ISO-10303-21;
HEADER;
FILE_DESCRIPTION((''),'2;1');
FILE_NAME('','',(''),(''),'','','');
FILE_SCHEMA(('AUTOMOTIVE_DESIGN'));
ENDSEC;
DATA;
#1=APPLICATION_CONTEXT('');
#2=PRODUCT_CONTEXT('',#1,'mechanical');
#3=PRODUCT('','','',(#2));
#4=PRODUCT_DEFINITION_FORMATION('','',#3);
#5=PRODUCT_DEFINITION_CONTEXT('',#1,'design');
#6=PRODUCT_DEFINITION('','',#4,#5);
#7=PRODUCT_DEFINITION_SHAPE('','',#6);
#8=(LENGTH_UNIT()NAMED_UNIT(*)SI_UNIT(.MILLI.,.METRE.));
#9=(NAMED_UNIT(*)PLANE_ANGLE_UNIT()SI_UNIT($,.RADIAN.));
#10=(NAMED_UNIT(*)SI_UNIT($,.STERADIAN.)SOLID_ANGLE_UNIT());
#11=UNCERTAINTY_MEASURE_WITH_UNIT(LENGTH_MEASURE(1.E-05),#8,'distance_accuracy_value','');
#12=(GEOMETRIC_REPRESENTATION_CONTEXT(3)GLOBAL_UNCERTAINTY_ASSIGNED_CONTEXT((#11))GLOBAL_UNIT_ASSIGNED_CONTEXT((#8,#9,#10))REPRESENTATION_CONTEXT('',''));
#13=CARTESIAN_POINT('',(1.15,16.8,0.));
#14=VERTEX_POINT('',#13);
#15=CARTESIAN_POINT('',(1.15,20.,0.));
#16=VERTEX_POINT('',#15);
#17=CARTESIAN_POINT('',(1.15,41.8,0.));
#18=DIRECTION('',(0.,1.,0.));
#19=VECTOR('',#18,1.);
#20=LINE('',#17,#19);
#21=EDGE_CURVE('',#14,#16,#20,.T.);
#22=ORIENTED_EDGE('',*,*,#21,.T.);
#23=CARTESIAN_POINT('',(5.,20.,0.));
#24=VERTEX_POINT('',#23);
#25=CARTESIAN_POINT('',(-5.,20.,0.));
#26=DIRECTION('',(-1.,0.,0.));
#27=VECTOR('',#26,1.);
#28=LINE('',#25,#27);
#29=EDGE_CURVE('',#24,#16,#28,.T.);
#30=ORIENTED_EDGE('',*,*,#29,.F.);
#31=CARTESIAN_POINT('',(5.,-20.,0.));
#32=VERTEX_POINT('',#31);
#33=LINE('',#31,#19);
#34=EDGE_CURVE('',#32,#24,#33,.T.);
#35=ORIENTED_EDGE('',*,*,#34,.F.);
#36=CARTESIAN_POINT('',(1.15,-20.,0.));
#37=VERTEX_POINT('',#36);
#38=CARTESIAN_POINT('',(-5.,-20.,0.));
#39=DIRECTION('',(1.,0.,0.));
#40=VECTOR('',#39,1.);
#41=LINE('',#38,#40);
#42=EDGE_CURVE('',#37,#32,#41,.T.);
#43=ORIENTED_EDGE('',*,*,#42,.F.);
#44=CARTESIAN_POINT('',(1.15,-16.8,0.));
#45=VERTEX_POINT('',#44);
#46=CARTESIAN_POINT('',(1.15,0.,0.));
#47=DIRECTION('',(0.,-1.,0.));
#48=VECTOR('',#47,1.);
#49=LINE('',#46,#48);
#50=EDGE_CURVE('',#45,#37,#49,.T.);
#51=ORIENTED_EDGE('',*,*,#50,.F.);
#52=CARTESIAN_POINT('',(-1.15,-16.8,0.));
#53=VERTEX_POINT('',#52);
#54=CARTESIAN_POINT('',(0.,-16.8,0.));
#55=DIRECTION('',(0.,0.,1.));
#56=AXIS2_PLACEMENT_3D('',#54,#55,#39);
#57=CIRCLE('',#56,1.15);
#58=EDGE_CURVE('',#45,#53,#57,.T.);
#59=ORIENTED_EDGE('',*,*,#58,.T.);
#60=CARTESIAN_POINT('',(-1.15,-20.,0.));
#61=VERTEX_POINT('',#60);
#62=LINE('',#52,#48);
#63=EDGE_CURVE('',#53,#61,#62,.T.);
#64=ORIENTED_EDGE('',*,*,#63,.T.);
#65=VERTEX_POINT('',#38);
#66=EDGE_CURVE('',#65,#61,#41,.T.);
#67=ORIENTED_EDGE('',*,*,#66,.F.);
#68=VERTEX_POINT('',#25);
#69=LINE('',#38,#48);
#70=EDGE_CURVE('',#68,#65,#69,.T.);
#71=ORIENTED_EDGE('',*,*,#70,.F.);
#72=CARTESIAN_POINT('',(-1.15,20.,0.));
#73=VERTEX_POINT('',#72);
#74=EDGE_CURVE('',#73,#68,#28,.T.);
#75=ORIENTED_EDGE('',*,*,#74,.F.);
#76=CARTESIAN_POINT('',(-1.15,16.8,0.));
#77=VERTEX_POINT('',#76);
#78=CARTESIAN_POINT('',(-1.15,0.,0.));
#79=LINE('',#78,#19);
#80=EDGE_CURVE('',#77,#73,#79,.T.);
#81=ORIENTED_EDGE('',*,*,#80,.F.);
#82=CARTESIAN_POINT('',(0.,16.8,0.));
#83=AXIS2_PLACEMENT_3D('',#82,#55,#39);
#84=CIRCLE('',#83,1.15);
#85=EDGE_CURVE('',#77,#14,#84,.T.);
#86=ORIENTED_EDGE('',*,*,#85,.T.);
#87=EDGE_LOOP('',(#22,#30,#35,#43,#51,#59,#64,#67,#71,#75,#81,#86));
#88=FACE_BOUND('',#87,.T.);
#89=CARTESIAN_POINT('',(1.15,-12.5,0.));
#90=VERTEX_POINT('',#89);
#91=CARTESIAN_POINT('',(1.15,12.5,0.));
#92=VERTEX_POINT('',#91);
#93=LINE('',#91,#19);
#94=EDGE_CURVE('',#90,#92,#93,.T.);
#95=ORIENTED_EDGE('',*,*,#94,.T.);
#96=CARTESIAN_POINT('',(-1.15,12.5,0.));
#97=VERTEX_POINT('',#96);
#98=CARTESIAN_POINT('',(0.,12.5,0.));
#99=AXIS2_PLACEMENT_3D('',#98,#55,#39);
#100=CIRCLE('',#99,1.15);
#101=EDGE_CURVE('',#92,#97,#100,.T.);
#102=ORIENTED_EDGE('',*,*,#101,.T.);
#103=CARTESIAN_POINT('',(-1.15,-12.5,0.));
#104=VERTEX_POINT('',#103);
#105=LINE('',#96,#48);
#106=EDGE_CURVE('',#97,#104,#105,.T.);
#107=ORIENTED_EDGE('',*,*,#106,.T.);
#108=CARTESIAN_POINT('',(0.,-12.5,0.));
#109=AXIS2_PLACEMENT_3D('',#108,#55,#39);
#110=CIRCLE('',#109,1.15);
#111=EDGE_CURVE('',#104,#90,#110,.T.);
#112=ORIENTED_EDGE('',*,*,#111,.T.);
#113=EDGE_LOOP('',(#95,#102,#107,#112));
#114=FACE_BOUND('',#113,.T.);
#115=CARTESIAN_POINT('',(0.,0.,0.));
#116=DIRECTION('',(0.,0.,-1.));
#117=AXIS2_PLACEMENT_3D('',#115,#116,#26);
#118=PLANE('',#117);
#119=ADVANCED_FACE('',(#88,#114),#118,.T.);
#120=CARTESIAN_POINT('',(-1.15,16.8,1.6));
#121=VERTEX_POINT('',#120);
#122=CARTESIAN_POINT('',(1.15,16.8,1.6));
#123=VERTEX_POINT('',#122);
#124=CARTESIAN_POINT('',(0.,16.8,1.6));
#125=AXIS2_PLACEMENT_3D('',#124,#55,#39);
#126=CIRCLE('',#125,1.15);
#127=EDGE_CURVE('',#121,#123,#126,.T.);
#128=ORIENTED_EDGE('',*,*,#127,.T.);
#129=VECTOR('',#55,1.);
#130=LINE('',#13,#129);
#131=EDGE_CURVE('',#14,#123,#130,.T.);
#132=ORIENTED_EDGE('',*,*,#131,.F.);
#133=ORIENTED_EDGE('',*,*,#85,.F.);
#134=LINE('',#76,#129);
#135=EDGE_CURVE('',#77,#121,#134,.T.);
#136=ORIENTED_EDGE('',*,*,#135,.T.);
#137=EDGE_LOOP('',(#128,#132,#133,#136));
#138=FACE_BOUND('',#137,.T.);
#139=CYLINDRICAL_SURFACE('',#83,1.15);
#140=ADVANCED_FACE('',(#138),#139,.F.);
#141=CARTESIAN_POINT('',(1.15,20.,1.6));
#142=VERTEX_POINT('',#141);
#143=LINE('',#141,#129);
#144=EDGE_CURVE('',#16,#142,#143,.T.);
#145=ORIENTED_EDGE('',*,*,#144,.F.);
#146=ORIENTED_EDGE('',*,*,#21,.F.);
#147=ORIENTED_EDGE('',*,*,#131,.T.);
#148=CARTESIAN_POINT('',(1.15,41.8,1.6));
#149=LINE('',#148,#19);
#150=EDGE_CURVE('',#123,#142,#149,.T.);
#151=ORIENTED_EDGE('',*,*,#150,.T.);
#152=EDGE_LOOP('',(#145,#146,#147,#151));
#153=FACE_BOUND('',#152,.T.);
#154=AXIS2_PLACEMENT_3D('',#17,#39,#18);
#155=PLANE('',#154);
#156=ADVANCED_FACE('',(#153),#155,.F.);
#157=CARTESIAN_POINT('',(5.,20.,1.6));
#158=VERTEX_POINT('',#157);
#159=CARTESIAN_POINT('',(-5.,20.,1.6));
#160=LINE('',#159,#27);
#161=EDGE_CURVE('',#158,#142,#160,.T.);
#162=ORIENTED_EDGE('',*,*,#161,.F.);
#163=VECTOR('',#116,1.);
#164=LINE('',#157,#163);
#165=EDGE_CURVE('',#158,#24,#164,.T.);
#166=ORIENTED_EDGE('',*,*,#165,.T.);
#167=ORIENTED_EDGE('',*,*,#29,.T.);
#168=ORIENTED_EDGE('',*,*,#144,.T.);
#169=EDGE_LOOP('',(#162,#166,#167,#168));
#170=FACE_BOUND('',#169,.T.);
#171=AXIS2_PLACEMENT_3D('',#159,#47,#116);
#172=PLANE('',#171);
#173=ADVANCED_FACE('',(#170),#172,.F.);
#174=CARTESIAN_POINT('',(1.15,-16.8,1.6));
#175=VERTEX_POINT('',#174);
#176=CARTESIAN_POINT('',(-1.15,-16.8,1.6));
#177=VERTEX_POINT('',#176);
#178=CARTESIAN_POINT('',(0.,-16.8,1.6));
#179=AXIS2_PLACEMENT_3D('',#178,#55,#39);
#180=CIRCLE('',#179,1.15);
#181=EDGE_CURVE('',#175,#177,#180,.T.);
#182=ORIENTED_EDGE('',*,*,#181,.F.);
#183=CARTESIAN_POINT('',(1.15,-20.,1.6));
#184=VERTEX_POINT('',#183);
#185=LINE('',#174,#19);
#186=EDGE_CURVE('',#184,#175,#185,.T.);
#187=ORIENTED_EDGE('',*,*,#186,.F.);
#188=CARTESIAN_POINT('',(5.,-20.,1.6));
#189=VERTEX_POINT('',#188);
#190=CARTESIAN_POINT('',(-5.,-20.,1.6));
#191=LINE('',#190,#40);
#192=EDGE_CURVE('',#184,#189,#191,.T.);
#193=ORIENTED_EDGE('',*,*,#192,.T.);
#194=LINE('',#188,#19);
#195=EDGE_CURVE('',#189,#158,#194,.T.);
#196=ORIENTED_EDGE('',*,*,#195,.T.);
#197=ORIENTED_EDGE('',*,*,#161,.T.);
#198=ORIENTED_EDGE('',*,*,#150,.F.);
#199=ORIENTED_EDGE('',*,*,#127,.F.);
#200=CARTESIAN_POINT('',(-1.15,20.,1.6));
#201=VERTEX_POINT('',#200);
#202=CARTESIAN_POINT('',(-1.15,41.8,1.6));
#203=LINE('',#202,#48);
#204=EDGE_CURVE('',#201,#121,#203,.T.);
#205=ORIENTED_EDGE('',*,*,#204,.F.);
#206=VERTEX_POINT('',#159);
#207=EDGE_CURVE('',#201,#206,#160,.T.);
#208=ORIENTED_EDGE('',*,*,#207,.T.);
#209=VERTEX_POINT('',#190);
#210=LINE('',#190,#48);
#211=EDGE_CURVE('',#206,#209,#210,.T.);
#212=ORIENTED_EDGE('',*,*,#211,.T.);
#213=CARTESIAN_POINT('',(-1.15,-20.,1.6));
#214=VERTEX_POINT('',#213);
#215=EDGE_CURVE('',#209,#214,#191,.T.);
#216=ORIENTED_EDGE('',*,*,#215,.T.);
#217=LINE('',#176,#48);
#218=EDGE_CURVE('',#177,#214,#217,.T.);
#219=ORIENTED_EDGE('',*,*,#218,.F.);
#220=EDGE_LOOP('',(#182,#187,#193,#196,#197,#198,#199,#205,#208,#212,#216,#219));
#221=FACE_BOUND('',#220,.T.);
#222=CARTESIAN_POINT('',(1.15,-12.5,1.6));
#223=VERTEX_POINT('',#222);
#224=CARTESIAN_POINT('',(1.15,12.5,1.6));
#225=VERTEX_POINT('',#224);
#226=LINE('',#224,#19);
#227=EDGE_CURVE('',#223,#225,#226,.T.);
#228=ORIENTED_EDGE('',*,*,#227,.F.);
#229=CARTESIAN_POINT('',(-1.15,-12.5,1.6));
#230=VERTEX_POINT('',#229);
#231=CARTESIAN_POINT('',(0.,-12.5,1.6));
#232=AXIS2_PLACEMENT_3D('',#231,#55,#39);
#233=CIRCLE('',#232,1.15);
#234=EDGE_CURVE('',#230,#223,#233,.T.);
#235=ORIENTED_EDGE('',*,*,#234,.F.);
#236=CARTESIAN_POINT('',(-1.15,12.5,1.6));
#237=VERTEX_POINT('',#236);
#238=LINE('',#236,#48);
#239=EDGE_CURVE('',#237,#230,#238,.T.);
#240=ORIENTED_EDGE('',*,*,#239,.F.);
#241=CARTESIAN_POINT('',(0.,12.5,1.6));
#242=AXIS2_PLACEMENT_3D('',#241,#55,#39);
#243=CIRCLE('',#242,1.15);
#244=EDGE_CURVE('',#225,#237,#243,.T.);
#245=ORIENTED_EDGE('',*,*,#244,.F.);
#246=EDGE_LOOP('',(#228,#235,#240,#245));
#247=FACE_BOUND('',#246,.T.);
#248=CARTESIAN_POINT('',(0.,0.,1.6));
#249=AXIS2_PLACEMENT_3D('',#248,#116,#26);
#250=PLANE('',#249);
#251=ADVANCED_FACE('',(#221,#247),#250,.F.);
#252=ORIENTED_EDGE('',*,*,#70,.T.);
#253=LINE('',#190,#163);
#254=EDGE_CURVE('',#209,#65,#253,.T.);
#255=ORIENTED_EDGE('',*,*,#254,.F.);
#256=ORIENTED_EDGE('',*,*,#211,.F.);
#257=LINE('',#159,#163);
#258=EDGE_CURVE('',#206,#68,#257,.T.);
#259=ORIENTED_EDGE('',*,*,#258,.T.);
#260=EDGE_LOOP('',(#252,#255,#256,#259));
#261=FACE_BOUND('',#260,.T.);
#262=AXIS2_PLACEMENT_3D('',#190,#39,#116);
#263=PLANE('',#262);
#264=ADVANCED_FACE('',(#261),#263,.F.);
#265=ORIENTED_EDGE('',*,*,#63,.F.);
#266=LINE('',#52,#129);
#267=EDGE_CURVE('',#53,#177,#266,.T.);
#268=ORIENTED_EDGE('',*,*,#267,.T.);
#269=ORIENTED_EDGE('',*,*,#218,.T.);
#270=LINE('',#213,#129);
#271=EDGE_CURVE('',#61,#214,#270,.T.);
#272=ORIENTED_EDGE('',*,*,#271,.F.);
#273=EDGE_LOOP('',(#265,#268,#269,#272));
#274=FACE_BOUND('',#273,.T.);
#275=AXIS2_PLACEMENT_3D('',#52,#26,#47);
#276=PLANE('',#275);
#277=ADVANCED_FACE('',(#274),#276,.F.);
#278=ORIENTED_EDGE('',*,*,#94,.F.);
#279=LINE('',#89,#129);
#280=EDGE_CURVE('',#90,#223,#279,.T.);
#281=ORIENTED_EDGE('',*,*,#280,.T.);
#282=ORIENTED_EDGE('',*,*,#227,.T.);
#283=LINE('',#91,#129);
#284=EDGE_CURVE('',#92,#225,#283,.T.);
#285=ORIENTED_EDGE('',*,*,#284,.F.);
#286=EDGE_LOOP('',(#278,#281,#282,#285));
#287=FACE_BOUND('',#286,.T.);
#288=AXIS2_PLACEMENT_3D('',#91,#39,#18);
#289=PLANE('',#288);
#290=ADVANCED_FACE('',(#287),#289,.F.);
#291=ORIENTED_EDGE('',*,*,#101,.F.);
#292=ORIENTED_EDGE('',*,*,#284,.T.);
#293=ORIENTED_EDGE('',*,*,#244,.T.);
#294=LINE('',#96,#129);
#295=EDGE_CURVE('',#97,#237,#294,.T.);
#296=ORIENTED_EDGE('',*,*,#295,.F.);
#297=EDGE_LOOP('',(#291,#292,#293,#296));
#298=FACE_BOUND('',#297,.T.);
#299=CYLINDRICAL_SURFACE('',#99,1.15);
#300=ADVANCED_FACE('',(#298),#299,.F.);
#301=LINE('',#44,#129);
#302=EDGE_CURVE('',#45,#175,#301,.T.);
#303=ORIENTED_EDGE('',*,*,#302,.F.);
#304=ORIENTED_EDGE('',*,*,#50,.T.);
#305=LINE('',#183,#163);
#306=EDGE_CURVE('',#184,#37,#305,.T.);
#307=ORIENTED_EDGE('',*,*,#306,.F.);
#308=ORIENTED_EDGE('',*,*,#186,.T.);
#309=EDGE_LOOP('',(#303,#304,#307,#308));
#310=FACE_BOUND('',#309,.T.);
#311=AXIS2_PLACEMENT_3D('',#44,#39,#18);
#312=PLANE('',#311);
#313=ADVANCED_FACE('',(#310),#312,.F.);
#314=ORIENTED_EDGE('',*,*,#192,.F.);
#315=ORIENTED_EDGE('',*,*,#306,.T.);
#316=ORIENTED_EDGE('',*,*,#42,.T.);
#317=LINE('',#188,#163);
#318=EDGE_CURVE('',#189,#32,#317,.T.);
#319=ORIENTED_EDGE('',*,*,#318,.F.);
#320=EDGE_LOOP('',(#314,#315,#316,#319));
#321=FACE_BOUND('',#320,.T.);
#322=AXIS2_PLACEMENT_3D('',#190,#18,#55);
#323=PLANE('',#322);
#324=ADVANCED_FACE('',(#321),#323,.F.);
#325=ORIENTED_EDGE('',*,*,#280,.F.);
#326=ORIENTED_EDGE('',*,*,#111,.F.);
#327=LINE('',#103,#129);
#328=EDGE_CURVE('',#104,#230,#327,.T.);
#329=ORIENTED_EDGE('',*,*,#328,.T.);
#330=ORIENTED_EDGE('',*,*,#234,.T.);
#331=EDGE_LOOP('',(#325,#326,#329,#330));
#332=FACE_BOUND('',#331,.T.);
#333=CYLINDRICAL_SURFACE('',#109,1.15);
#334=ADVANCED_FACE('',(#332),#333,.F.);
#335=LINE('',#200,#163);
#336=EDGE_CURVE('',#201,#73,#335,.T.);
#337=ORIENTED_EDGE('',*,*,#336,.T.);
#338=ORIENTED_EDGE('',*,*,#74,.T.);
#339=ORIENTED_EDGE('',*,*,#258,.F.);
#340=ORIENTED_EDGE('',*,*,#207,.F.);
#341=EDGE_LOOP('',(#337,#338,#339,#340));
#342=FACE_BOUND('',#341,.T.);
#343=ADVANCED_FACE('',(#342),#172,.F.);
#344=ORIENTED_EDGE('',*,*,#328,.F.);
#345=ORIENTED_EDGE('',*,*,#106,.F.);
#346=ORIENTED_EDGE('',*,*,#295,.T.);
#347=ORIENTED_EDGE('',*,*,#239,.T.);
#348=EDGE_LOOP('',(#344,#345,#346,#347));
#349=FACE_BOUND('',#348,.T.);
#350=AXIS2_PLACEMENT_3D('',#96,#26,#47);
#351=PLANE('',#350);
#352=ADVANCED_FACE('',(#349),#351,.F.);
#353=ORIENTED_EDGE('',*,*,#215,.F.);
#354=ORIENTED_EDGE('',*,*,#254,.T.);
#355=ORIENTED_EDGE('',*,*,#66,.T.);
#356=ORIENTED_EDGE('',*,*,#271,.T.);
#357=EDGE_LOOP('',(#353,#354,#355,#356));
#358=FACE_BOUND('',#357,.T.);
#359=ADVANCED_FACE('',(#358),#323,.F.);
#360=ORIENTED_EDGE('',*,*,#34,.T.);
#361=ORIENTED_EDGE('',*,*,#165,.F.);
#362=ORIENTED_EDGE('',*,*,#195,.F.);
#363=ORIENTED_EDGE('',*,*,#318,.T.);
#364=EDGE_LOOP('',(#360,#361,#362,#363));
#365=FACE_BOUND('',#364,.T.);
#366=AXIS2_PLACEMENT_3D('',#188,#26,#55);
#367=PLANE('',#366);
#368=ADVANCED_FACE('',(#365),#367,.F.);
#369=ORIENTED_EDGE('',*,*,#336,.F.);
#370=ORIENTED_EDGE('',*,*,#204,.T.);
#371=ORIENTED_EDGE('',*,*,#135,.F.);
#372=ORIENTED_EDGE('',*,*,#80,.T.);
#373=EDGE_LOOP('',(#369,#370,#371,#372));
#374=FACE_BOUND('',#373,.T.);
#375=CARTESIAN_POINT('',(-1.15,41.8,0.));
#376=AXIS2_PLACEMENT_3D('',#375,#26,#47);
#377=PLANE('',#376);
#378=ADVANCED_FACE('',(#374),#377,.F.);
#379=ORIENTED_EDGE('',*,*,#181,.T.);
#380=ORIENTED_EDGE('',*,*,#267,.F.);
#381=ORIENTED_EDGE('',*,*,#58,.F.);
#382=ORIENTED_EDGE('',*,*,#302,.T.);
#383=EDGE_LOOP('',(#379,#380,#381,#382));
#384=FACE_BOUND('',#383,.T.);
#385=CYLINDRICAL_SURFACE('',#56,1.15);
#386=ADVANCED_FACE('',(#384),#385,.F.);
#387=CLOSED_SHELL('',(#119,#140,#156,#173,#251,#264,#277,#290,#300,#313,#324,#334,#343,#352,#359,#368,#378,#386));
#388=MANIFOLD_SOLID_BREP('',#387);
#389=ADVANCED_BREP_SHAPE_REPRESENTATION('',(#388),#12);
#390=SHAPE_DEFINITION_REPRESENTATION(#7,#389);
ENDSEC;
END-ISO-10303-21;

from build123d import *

# Parameters (mm, degrees)
SKETCH1_W           = 10
SKETCH1_H           = 40
BOSS_EXTRUDE1_DEPTH = 1.6
CUT_EXTRUDE1_DEPTH  = 21.67752403


with BuildPart() as part:
    # Sketch1 → Boss-Extrude1 (new body)
    with BuildSketch(Plane.XY):
        Rectangle(SKETCH1_W, SKETCH1_H)
    extrude(amount=BOSS_EXTRUDE1_DEPTH)

    # Sketch3 → Cut-Extrude1 (cut, through all)
    with BuildSketch(Plane.XY.offset(1.6)):
        with BuildLine():
            Line((1.15, 12.5), (1.15, -12.5))
            ThreePointArc((1.15, -12.5), (0, -13.65), (-1.15, -12.5))
            Line((-1.15, -12.5), (-1.15, 12.5))
            ThreePointArc((-1.15, 12.5), (0, 13.65), (1.15, 12.5))
        make_face()
        with BuildLine():
            Line((1.15, 41.8), (1.15, 16.8))
            ThreePointArc((1.15, 16.8), (0, 15.65), (-1.15, 16.8))
            Line((-1.15, 16.8), (-1.15, 41.8))
            ThreePointArc((-1.15, 41.8), (0, 42.95), (1.15, 41.8))
        make_face()
        with BuildLine():
            Line((1.15, -16.8), (1.15, -41.8))
            ThreePointArc((1.15, -41.8), (0, -42.95), (-1.15, -41.8))
            Line((-1.15, -41.8), (-1.15, -16.8))
            ThreePointArc((-1.15, -16.8), (0, -15.65), (1.15, -16.8))
        make_face()
    extrude(amount=-CUT_EXTRUDE1_DEPTH, mode=Mode.SUBTRACT)


solid = part.part
